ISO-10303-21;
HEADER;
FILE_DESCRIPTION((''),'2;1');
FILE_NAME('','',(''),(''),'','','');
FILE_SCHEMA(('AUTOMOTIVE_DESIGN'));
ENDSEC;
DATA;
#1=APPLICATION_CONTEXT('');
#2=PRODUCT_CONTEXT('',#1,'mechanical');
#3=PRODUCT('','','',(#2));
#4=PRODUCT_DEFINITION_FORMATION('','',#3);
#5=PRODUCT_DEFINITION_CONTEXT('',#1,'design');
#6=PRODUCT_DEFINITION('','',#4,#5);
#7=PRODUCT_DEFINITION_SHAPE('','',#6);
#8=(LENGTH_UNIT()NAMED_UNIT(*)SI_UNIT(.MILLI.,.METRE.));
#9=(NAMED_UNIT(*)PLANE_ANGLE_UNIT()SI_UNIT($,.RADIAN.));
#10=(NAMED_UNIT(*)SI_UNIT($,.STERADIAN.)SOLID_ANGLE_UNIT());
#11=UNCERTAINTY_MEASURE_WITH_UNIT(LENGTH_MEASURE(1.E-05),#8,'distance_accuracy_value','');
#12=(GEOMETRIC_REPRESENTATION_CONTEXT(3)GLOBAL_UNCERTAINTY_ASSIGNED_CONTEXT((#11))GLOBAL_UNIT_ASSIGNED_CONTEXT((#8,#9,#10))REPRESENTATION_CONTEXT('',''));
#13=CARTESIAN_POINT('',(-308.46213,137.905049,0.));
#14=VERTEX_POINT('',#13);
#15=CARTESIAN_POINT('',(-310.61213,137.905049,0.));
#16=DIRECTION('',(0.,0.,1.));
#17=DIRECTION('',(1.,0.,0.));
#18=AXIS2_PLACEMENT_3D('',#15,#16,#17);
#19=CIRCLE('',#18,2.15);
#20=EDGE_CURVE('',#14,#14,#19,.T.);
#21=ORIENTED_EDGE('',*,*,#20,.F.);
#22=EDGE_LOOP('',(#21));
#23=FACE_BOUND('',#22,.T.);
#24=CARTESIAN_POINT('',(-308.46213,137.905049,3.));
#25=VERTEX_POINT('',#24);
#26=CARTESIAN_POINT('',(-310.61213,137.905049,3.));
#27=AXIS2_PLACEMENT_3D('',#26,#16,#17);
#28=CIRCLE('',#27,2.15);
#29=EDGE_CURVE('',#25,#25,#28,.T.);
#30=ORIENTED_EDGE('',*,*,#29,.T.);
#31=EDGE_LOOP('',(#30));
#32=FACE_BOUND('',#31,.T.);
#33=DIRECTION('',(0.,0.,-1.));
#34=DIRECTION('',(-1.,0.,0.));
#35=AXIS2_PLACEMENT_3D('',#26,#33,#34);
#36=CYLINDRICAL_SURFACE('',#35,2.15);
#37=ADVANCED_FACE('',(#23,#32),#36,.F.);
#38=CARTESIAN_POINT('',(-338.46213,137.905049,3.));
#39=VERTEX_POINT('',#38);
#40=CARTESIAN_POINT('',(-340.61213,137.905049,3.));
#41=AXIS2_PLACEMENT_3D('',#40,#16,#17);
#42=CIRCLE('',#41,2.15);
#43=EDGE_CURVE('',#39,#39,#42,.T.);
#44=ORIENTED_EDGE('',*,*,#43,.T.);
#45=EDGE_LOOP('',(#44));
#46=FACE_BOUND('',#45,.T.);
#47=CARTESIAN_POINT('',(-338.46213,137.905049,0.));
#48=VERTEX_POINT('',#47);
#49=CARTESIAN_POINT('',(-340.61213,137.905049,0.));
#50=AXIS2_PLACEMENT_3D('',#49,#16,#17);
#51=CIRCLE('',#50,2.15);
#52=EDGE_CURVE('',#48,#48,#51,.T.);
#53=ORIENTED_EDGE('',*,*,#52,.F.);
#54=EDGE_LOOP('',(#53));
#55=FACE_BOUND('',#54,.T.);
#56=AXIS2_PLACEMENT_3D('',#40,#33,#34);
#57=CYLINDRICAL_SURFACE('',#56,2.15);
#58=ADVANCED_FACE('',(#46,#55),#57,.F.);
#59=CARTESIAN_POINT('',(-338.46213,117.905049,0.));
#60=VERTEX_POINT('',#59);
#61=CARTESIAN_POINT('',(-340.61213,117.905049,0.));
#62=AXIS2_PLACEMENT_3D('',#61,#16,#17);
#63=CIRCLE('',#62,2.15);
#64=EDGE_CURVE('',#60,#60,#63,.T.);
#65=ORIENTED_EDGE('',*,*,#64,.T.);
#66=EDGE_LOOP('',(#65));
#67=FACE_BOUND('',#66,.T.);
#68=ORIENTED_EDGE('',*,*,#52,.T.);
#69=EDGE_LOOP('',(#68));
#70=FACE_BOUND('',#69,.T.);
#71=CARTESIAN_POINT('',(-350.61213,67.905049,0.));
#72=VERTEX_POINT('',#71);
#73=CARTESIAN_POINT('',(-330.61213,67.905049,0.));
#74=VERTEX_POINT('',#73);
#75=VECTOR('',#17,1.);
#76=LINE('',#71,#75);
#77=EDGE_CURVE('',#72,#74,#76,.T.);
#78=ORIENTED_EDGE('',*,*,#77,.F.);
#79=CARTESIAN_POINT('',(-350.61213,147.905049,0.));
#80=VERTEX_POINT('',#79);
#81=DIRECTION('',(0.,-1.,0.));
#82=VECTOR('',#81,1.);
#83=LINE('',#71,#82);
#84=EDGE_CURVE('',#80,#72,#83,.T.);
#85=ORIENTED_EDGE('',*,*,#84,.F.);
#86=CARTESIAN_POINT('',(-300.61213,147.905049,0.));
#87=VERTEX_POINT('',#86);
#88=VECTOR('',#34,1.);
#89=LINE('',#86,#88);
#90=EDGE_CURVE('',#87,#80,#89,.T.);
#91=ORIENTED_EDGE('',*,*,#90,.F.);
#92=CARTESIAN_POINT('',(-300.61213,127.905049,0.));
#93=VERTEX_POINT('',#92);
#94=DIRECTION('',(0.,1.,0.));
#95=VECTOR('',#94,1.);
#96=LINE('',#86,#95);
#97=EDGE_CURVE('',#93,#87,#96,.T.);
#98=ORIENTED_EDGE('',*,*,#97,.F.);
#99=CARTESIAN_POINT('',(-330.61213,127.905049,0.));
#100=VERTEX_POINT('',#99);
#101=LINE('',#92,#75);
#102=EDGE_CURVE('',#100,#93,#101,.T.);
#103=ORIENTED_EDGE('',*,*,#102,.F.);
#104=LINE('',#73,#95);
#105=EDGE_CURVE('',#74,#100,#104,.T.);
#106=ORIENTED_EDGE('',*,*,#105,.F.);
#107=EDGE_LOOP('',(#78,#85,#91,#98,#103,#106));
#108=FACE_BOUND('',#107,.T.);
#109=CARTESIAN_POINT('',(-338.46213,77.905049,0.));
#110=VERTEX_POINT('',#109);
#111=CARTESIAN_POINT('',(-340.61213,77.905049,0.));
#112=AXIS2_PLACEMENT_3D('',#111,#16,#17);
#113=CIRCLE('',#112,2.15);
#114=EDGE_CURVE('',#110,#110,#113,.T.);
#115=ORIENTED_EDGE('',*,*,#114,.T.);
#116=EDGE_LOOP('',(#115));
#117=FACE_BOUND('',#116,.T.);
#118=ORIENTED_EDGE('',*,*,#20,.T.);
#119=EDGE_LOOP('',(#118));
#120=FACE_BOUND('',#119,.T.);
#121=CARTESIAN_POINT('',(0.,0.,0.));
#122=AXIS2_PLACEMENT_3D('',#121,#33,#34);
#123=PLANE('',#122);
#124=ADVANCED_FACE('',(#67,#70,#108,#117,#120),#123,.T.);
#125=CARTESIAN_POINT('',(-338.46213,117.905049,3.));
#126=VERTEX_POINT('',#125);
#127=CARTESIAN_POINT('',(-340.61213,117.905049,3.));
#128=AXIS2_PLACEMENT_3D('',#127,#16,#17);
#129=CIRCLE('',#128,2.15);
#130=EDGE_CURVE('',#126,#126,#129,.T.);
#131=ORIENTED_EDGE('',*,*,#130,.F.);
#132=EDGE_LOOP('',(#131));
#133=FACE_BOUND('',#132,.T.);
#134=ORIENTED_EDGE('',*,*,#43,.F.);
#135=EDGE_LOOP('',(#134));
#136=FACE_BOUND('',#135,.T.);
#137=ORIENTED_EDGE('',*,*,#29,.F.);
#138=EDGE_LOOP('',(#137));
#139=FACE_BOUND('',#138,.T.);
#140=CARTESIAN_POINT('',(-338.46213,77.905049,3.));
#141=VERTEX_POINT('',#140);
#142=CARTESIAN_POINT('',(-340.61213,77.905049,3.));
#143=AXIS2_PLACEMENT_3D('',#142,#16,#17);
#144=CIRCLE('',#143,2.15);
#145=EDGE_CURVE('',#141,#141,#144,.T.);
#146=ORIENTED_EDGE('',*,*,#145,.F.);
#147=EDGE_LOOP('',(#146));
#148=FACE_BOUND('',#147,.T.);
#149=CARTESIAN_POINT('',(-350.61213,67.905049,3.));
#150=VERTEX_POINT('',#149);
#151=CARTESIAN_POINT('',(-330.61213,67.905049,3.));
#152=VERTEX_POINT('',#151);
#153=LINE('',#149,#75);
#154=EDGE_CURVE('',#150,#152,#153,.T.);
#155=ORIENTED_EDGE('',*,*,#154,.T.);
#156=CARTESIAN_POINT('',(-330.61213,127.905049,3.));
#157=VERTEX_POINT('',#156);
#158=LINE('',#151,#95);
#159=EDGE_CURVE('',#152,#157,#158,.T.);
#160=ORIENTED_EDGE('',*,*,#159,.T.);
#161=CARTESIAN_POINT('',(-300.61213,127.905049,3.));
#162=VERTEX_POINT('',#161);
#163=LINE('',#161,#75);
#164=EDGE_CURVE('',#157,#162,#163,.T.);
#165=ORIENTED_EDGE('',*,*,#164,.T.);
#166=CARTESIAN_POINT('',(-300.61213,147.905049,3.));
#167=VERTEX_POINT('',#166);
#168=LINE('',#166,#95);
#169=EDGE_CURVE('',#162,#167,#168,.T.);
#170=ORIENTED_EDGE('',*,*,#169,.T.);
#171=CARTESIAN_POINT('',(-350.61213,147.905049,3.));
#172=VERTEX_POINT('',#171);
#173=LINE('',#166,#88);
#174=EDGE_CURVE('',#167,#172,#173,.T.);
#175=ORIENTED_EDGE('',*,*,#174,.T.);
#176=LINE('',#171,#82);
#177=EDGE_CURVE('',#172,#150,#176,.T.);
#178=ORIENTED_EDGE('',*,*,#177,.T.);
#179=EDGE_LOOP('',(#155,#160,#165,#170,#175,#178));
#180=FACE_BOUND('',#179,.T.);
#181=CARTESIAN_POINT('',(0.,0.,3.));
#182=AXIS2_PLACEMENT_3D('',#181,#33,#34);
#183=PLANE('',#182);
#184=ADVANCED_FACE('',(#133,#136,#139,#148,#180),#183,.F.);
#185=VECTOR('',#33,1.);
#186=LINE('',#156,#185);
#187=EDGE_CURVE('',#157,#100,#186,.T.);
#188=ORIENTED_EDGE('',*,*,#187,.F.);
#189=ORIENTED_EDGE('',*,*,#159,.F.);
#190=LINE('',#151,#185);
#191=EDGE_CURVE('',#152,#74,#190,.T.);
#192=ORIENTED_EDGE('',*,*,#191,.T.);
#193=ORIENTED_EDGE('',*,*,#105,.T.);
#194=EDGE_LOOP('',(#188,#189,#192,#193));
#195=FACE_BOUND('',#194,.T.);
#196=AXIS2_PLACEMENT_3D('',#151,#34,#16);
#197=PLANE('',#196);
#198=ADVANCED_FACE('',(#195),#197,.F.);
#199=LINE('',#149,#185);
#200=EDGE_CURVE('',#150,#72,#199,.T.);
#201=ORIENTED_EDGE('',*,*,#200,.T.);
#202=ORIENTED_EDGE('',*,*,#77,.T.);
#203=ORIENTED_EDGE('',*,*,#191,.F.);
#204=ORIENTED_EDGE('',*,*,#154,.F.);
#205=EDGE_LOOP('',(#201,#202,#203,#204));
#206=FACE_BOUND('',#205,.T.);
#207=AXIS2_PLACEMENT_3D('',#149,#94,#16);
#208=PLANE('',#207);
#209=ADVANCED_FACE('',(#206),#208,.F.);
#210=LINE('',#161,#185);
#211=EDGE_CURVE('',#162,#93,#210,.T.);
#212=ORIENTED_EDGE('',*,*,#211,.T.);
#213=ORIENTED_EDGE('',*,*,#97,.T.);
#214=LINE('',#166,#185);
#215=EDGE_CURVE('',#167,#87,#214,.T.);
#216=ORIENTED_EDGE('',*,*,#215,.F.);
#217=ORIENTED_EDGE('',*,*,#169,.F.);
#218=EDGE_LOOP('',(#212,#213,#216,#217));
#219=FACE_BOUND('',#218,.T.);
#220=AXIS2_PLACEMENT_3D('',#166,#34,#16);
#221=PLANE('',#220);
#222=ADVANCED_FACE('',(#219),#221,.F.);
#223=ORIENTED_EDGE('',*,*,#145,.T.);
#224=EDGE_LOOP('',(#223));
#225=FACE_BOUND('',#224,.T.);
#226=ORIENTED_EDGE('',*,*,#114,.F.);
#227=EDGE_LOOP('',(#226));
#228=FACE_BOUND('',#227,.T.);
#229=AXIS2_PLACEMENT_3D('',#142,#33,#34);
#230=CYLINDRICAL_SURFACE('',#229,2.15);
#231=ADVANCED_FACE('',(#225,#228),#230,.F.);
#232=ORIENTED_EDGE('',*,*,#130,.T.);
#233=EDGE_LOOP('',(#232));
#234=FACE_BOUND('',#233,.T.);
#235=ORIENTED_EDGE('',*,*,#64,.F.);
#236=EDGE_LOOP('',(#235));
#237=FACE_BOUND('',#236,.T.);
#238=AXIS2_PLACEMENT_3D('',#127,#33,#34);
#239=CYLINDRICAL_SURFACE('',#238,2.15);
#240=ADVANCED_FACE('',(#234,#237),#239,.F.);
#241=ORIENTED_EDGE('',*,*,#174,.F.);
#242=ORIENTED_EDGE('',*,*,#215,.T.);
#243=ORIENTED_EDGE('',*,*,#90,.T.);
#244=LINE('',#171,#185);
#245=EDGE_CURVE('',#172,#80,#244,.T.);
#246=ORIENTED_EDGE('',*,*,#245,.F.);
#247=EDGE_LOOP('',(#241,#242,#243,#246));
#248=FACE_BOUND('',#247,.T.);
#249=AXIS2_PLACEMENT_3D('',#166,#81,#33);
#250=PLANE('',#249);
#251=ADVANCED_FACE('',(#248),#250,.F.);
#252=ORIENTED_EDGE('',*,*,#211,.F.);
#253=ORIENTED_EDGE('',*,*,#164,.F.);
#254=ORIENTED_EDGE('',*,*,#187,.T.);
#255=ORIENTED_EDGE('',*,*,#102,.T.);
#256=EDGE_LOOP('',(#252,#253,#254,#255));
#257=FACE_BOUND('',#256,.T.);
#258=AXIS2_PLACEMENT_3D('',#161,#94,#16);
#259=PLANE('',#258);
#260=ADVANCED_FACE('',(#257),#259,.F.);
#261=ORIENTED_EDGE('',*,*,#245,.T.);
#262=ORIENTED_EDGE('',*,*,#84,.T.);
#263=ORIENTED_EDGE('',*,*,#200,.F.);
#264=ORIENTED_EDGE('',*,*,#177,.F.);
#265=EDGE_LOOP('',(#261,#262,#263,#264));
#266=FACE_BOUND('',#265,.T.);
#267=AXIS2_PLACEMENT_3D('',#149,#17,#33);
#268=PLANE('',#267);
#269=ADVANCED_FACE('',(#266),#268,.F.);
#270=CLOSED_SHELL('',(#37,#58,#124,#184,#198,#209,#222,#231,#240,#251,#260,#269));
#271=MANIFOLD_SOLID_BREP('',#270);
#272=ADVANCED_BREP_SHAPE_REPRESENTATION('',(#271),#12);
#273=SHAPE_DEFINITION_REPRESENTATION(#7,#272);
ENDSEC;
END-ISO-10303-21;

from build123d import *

# Parameters (mm, degrees)
SKETCH1_R      = 2.15
EXTRUDE1_DEPTH = 3


with BuildPart() as part:
    # Sketch1 → Extrude1 (new body)
    with BuildSketch(Plane.XY):
        Polygon((-300.61212976, 147.905049365), (-350.61212976, 147.905049365), (-350.61212976, 127.905049365), (-350.61212976, 67.905049365), (-330.61212976, 67.905049365), (-330.61212976, 127.905049365), (-300.61212976, 127.905049365), align=None)
        with Locations((-340.61212976, 77.905049365)):
            Circle(SKETCH1_R, mode=Mode.SUBTRACT)
        with Locations((-340.61212976, 117.905049365)):
            Circle(SKETCH1_R, mode=Mode.SUBTRACT)
        with Locations((-340.61212976, 137.905049365)):
            Circle(SKETCH1_R, mode=Mode.SUBTRACT)
        with Locations((-310.61212976, 137.905049365)):
            Circle(SKETCH1_R, mode=Mode.SUBTRACT)
    extrude(amount=EXTRUDE1_DEPTH)


solid = part.part
